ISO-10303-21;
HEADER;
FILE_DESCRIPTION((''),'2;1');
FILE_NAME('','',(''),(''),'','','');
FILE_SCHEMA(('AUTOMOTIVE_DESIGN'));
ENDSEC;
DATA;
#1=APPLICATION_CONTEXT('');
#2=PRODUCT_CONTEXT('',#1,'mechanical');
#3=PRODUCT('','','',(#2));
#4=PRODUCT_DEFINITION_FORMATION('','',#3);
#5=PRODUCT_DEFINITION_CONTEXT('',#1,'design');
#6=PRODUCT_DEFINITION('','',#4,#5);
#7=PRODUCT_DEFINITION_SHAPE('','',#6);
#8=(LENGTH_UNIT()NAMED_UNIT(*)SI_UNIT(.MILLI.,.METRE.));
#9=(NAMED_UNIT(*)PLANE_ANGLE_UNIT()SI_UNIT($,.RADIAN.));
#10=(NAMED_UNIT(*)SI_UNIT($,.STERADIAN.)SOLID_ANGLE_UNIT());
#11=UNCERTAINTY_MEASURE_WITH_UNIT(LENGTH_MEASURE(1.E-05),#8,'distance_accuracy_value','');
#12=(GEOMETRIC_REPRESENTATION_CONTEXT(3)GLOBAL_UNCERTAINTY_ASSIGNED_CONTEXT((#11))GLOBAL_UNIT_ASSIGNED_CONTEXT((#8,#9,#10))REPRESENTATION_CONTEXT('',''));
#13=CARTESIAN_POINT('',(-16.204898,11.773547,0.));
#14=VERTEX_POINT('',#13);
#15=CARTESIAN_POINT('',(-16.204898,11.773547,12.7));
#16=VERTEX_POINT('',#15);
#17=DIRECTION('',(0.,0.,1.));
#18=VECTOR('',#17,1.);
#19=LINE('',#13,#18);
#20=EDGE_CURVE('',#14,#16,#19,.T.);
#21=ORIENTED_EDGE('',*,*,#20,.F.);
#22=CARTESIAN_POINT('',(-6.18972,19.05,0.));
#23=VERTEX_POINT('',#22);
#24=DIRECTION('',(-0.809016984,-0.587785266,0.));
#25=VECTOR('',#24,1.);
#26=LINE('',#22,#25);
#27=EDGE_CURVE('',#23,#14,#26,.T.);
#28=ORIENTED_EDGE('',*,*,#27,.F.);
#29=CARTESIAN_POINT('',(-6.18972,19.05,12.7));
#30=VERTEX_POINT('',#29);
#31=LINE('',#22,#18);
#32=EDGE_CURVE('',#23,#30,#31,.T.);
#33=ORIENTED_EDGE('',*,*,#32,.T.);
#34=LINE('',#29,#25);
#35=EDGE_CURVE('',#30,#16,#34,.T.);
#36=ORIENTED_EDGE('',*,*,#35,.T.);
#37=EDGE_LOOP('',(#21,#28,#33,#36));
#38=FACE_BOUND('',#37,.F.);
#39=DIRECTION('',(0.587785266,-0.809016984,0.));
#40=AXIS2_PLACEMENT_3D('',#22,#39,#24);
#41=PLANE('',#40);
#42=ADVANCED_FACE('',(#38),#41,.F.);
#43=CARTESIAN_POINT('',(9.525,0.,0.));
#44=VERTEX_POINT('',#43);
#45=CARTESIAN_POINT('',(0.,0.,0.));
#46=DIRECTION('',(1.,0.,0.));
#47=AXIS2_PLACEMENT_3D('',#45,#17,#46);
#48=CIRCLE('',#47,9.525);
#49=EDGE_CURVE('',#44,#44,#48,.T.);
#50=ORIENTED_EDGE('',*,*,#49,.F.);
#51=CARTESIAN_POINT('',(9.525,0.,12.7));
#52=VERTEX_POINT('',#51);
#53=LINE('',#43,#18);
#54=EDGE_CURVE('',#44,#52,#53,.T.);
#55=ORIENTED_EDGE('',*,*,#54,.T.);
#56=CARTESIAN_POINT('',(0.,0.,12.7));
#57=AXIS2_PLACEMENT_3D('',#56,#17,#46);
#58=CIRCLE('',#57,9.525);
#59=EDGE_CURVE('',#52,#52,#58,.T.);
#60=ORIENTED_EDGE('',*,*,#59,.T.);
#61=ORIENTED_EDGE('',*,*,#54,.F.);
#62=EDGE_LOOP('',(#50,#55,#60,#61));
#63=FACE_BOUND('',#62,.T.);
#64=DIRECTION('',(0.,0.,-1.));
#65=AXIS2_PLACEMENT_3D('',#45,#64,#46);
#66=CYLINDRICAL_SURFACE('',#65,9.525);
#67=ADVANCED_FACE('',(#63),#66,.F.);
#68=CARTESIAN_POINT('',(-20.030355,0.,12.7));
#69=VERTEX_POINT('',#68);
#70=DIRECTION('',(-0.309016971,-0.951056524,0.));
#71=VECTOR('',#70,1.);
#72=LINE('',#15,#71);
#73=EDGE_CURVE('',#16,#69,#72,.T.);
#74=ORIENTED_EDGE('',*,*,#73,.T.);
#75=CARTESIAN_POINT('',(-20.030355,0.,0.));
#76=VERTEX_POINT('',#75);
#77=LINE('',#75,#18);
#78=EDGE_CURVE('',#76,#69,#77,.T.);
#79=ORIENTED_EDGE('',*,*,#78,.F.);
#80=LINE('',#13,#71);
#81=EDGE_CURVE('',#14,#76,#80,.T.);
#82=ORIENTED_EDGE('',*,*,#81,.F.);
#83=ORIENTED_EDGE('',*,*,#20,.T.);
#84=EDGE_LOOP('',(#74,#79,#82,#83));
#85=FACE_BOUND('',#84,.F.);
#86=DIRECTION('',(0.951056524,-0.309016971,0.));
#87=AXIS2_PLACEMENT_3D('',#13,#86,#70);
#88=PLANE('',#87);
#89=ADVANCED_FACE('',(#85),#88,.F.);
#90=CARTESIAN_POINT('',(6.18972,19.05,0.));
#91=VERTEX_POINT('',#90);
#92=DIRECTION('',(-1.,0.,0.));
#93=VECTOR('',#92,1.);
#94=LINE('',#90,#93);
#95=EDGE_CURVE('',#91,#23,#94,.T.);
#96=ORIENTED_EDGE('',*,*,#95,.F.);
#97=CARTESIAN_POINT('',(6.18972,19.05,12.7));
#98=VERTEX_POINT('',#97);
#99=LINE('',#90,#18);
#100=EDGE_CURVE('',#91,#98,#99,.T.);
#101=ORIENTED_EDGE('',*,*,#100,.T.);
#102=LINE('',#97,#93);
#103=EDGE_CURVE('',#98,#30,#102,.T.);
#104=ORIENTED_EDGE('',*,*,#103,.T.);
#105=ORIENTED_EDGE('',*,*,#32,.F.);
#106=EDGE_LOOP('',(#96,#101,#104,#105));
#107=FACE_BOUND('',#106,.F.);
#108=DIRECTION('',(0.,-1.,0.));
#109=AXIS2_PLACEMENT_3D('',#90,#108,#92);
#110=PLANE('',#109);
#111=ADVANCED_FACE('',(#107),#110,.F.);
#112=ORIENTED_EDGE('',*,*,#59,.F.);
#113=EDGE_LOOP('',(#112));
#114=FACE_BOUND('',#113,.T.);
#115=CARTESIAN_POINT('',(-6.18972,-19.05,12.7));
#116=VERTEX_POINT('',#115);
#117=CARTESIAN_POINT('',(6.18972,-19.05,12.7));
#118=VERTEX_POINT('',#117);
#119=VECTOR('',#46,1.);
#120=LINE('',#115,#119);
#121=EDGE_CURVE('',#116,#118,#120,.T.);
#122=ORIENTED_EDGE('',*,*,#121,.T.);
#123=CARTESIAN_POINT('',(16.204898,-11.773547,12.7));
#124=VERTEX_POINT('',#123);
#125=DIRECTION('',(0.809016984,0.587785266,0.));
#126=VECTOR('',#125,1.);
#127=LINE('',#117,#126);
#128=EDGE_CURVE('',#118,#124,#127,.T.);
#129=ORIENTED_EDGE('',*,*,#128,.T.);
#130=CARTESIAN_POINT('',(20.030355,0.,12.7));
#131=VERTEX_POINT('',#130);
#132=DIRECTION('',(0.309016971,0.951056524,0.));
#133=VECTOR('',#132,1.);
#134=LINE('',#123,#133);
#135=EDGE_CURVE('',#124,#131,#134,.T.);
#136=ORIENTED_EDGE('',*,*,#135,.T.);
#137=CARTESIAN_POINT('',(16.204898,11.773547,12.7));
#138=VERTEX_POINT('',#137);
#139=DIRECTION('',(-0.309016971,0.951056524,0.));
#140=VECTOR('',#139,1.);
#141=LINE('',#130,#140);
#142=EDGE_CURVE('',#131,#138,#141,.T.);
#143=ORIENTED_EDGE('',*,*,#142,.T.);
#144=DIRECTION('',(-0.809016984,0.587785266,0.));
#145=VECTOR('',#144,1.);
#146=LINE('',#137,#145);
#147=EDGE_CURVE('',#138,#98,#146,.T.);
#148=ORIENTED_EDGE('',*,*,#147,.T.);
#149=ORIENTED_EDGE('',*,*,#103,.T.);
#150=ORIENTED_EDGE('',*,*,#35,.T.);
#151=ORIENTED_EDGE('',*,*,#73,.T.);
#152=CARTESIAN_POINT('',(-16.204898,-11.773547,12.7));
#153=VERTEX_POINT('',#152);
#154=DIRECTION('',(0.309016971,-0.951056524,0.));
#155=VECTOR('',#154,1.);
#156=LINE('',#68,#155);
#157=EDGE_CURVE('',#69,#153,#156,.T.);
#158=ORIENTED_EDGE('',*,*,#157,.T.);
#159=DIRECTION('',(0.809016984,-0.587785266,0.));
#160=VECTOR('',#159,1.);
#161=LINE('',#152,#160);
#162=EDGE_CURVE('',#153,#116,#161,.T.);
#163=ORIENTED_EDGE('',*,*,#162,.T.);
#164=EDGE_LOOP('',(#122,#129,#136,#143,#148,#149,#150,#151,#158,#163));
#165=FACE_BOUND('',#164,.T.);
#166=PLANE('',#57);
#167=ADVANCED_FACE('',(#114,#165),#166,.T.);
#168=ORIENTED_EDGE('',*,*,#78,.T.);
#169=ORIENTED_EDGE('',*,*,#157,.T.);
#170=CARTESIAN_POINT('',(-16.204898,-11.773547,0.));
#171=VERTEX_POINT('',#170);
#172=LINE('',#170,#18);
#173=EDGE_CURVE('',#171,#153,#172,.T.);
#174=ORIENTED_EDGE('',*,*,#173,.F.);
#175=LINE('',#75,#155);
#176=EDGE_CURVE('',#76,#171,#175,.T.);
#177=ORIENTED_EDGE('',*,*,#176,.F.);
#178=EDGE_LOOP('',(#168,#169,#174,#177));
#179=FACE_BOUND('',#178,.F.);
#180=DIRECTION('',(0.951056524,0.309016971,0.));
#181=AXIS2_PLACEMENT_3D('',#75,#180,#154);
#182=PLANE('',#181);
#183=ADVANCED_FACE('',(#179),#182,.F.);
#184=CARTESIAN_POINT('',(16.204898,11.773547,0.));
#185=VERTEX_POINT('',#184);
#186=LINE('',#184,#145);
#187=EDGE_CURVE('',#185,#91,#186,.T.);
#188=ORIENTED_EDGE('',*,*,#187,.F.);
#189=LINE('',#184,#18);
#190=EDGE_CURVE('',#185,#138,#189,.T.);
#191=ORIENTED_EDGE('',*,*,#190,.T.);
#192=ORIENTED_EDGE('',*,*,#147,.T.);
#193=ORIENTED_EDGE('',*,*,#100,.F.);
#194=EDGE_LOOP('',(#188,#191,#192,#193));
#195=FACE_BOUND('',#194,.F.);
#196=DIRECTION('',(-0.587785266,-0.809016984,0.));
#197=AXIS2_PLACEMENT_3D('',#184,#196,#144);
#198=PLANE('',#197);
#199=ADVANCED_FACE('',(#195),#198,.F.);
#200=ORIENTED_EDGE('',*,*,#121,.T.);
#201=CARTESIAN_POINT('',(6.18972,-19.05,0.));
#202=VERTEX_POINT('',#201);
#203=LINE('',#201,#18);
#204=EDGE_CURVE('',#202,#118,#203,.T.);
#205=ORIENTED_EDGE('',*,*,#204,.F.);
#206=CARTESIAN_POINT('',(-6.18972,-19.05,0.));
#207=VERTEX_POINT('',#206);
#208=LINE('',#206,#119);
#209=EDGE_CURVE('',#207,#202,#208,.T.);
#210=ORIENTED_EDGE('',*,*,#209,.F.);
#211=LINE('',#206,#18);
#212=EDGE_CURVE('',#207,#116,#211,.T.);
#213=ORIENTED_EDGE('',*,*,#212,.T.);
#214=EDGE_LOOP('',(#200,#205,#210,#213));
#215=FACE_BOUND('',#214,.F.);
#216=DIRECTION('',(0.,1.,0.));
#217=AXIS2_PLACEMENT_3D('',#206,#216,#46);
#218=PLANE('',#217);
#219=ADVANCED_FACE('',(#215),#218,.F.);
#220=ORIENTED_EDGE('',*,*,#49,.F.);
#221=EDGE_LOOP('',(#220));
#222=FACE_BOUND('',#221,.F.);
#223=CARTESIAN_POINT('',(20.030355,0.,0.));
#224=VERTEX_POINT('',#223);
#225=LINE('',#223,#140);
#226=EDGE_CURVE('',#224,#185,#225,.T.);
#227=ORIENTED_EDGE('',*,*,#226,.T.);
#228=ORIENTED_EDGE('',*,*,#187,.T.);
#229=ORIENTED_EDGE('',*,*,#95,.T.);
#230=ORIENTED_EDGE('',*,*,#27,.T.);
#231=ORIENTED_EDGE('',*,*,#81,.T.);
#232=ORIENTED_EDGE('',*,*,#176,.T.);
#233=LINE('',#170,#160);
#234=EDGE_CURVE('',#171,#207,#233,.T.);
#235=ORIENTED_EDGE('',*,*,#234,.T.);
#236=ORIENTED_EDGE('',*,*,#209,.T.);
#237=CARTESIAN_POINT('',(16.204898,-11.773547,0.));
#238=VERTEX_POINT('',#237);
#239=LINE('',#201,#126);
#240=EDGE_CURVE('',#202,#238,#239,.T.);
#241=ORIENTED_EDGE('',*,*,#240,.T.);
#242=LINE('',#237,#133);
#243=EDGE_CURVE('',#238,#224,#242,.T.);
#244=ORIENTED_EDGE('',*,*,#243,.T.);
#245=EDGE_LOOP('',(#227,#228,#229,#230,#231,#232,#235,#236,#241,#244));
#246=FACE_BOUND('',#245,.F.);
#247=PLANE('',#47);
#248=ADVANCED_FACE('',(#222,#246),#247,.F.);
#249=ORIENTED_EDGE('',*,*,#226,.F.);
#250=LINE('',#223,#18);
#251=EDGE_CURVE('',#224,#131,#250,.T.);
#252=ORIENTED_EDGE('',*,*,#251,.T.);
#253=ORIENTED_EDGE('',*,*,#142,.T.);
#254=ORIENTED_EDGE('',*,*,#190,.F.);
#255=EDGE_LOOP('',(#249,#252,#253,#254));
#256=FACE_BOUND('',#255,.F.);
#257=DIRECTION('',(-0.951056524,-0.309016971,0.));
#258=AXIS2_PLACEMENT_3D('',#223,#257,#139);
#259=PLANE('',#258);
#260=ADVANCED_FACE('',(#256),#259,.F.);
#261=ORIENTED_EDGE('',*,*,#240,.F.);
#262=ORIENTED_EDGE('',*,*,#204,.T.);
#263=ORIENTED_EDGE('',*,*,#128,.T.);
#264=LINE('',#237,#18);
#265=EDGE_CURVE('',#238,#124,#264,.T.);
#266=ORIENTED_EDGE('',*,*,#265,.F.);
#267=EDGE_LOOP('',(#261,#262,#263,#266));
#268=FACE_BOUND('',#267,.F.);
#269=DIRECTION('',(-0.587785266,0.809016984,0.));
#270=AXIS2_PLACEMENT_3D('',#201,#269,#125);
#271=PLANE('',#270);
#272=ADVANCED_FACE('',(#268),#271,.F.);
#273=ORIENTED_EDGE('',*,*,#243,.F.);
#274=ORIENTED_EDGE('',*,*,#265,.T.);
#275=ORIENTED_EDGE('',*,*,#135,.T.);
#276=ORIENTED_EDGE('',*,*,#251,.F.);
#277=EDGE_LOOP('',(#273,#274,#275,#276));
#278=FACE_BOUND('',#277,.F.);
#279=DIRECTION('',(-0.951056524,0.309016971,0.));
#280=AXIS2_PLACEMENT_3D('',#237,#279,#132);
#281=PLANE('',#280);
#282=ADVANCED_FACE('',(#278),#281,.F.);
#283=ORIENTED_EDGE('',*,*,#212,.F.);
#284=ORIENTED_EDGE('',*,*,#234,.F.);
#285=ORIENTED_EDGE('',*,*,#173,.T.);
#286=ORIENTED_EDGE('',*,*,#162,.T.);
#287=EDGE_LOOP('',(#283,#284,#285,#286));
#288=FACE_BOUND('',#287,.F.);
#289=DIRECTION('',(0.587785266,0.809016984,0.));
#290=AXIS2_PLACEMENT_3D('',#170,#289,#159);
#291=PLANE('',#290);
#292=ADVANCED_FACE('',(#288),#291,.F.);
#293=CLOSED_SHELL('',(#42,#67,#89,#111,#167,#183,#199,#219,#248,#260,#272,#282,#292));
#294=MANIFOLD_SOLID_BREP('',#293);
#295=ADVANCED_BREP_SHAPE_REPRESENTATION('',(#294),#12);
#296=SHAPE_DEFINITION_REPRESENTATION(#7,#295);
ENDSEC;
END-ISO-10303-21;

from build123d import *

# Parameters (mm, degrees)
F0_R     = 9.525
F1_DEPTH = 12.7


with BuildPart() as f1:
    # F0 (on Top) → F1 (new body)
    with BuildSketch(Plane.XY):
        Polygon((16.204898, 11.773547), (6.18972, 19.05), (-6.18972, 19.05), (-16.204898, 11.773547), (-20.030355, 0), (-16.204898, -11.773547), (-6.18972, -19.05), (6.18972, -19.05), (16.204898, -11.773547), (20.030355, 0), align=None)
        Circle(F0_R, mode=Mode.SUBTRACT)
    extrude(amount=F1_DEPTH)


solid = f1.part
